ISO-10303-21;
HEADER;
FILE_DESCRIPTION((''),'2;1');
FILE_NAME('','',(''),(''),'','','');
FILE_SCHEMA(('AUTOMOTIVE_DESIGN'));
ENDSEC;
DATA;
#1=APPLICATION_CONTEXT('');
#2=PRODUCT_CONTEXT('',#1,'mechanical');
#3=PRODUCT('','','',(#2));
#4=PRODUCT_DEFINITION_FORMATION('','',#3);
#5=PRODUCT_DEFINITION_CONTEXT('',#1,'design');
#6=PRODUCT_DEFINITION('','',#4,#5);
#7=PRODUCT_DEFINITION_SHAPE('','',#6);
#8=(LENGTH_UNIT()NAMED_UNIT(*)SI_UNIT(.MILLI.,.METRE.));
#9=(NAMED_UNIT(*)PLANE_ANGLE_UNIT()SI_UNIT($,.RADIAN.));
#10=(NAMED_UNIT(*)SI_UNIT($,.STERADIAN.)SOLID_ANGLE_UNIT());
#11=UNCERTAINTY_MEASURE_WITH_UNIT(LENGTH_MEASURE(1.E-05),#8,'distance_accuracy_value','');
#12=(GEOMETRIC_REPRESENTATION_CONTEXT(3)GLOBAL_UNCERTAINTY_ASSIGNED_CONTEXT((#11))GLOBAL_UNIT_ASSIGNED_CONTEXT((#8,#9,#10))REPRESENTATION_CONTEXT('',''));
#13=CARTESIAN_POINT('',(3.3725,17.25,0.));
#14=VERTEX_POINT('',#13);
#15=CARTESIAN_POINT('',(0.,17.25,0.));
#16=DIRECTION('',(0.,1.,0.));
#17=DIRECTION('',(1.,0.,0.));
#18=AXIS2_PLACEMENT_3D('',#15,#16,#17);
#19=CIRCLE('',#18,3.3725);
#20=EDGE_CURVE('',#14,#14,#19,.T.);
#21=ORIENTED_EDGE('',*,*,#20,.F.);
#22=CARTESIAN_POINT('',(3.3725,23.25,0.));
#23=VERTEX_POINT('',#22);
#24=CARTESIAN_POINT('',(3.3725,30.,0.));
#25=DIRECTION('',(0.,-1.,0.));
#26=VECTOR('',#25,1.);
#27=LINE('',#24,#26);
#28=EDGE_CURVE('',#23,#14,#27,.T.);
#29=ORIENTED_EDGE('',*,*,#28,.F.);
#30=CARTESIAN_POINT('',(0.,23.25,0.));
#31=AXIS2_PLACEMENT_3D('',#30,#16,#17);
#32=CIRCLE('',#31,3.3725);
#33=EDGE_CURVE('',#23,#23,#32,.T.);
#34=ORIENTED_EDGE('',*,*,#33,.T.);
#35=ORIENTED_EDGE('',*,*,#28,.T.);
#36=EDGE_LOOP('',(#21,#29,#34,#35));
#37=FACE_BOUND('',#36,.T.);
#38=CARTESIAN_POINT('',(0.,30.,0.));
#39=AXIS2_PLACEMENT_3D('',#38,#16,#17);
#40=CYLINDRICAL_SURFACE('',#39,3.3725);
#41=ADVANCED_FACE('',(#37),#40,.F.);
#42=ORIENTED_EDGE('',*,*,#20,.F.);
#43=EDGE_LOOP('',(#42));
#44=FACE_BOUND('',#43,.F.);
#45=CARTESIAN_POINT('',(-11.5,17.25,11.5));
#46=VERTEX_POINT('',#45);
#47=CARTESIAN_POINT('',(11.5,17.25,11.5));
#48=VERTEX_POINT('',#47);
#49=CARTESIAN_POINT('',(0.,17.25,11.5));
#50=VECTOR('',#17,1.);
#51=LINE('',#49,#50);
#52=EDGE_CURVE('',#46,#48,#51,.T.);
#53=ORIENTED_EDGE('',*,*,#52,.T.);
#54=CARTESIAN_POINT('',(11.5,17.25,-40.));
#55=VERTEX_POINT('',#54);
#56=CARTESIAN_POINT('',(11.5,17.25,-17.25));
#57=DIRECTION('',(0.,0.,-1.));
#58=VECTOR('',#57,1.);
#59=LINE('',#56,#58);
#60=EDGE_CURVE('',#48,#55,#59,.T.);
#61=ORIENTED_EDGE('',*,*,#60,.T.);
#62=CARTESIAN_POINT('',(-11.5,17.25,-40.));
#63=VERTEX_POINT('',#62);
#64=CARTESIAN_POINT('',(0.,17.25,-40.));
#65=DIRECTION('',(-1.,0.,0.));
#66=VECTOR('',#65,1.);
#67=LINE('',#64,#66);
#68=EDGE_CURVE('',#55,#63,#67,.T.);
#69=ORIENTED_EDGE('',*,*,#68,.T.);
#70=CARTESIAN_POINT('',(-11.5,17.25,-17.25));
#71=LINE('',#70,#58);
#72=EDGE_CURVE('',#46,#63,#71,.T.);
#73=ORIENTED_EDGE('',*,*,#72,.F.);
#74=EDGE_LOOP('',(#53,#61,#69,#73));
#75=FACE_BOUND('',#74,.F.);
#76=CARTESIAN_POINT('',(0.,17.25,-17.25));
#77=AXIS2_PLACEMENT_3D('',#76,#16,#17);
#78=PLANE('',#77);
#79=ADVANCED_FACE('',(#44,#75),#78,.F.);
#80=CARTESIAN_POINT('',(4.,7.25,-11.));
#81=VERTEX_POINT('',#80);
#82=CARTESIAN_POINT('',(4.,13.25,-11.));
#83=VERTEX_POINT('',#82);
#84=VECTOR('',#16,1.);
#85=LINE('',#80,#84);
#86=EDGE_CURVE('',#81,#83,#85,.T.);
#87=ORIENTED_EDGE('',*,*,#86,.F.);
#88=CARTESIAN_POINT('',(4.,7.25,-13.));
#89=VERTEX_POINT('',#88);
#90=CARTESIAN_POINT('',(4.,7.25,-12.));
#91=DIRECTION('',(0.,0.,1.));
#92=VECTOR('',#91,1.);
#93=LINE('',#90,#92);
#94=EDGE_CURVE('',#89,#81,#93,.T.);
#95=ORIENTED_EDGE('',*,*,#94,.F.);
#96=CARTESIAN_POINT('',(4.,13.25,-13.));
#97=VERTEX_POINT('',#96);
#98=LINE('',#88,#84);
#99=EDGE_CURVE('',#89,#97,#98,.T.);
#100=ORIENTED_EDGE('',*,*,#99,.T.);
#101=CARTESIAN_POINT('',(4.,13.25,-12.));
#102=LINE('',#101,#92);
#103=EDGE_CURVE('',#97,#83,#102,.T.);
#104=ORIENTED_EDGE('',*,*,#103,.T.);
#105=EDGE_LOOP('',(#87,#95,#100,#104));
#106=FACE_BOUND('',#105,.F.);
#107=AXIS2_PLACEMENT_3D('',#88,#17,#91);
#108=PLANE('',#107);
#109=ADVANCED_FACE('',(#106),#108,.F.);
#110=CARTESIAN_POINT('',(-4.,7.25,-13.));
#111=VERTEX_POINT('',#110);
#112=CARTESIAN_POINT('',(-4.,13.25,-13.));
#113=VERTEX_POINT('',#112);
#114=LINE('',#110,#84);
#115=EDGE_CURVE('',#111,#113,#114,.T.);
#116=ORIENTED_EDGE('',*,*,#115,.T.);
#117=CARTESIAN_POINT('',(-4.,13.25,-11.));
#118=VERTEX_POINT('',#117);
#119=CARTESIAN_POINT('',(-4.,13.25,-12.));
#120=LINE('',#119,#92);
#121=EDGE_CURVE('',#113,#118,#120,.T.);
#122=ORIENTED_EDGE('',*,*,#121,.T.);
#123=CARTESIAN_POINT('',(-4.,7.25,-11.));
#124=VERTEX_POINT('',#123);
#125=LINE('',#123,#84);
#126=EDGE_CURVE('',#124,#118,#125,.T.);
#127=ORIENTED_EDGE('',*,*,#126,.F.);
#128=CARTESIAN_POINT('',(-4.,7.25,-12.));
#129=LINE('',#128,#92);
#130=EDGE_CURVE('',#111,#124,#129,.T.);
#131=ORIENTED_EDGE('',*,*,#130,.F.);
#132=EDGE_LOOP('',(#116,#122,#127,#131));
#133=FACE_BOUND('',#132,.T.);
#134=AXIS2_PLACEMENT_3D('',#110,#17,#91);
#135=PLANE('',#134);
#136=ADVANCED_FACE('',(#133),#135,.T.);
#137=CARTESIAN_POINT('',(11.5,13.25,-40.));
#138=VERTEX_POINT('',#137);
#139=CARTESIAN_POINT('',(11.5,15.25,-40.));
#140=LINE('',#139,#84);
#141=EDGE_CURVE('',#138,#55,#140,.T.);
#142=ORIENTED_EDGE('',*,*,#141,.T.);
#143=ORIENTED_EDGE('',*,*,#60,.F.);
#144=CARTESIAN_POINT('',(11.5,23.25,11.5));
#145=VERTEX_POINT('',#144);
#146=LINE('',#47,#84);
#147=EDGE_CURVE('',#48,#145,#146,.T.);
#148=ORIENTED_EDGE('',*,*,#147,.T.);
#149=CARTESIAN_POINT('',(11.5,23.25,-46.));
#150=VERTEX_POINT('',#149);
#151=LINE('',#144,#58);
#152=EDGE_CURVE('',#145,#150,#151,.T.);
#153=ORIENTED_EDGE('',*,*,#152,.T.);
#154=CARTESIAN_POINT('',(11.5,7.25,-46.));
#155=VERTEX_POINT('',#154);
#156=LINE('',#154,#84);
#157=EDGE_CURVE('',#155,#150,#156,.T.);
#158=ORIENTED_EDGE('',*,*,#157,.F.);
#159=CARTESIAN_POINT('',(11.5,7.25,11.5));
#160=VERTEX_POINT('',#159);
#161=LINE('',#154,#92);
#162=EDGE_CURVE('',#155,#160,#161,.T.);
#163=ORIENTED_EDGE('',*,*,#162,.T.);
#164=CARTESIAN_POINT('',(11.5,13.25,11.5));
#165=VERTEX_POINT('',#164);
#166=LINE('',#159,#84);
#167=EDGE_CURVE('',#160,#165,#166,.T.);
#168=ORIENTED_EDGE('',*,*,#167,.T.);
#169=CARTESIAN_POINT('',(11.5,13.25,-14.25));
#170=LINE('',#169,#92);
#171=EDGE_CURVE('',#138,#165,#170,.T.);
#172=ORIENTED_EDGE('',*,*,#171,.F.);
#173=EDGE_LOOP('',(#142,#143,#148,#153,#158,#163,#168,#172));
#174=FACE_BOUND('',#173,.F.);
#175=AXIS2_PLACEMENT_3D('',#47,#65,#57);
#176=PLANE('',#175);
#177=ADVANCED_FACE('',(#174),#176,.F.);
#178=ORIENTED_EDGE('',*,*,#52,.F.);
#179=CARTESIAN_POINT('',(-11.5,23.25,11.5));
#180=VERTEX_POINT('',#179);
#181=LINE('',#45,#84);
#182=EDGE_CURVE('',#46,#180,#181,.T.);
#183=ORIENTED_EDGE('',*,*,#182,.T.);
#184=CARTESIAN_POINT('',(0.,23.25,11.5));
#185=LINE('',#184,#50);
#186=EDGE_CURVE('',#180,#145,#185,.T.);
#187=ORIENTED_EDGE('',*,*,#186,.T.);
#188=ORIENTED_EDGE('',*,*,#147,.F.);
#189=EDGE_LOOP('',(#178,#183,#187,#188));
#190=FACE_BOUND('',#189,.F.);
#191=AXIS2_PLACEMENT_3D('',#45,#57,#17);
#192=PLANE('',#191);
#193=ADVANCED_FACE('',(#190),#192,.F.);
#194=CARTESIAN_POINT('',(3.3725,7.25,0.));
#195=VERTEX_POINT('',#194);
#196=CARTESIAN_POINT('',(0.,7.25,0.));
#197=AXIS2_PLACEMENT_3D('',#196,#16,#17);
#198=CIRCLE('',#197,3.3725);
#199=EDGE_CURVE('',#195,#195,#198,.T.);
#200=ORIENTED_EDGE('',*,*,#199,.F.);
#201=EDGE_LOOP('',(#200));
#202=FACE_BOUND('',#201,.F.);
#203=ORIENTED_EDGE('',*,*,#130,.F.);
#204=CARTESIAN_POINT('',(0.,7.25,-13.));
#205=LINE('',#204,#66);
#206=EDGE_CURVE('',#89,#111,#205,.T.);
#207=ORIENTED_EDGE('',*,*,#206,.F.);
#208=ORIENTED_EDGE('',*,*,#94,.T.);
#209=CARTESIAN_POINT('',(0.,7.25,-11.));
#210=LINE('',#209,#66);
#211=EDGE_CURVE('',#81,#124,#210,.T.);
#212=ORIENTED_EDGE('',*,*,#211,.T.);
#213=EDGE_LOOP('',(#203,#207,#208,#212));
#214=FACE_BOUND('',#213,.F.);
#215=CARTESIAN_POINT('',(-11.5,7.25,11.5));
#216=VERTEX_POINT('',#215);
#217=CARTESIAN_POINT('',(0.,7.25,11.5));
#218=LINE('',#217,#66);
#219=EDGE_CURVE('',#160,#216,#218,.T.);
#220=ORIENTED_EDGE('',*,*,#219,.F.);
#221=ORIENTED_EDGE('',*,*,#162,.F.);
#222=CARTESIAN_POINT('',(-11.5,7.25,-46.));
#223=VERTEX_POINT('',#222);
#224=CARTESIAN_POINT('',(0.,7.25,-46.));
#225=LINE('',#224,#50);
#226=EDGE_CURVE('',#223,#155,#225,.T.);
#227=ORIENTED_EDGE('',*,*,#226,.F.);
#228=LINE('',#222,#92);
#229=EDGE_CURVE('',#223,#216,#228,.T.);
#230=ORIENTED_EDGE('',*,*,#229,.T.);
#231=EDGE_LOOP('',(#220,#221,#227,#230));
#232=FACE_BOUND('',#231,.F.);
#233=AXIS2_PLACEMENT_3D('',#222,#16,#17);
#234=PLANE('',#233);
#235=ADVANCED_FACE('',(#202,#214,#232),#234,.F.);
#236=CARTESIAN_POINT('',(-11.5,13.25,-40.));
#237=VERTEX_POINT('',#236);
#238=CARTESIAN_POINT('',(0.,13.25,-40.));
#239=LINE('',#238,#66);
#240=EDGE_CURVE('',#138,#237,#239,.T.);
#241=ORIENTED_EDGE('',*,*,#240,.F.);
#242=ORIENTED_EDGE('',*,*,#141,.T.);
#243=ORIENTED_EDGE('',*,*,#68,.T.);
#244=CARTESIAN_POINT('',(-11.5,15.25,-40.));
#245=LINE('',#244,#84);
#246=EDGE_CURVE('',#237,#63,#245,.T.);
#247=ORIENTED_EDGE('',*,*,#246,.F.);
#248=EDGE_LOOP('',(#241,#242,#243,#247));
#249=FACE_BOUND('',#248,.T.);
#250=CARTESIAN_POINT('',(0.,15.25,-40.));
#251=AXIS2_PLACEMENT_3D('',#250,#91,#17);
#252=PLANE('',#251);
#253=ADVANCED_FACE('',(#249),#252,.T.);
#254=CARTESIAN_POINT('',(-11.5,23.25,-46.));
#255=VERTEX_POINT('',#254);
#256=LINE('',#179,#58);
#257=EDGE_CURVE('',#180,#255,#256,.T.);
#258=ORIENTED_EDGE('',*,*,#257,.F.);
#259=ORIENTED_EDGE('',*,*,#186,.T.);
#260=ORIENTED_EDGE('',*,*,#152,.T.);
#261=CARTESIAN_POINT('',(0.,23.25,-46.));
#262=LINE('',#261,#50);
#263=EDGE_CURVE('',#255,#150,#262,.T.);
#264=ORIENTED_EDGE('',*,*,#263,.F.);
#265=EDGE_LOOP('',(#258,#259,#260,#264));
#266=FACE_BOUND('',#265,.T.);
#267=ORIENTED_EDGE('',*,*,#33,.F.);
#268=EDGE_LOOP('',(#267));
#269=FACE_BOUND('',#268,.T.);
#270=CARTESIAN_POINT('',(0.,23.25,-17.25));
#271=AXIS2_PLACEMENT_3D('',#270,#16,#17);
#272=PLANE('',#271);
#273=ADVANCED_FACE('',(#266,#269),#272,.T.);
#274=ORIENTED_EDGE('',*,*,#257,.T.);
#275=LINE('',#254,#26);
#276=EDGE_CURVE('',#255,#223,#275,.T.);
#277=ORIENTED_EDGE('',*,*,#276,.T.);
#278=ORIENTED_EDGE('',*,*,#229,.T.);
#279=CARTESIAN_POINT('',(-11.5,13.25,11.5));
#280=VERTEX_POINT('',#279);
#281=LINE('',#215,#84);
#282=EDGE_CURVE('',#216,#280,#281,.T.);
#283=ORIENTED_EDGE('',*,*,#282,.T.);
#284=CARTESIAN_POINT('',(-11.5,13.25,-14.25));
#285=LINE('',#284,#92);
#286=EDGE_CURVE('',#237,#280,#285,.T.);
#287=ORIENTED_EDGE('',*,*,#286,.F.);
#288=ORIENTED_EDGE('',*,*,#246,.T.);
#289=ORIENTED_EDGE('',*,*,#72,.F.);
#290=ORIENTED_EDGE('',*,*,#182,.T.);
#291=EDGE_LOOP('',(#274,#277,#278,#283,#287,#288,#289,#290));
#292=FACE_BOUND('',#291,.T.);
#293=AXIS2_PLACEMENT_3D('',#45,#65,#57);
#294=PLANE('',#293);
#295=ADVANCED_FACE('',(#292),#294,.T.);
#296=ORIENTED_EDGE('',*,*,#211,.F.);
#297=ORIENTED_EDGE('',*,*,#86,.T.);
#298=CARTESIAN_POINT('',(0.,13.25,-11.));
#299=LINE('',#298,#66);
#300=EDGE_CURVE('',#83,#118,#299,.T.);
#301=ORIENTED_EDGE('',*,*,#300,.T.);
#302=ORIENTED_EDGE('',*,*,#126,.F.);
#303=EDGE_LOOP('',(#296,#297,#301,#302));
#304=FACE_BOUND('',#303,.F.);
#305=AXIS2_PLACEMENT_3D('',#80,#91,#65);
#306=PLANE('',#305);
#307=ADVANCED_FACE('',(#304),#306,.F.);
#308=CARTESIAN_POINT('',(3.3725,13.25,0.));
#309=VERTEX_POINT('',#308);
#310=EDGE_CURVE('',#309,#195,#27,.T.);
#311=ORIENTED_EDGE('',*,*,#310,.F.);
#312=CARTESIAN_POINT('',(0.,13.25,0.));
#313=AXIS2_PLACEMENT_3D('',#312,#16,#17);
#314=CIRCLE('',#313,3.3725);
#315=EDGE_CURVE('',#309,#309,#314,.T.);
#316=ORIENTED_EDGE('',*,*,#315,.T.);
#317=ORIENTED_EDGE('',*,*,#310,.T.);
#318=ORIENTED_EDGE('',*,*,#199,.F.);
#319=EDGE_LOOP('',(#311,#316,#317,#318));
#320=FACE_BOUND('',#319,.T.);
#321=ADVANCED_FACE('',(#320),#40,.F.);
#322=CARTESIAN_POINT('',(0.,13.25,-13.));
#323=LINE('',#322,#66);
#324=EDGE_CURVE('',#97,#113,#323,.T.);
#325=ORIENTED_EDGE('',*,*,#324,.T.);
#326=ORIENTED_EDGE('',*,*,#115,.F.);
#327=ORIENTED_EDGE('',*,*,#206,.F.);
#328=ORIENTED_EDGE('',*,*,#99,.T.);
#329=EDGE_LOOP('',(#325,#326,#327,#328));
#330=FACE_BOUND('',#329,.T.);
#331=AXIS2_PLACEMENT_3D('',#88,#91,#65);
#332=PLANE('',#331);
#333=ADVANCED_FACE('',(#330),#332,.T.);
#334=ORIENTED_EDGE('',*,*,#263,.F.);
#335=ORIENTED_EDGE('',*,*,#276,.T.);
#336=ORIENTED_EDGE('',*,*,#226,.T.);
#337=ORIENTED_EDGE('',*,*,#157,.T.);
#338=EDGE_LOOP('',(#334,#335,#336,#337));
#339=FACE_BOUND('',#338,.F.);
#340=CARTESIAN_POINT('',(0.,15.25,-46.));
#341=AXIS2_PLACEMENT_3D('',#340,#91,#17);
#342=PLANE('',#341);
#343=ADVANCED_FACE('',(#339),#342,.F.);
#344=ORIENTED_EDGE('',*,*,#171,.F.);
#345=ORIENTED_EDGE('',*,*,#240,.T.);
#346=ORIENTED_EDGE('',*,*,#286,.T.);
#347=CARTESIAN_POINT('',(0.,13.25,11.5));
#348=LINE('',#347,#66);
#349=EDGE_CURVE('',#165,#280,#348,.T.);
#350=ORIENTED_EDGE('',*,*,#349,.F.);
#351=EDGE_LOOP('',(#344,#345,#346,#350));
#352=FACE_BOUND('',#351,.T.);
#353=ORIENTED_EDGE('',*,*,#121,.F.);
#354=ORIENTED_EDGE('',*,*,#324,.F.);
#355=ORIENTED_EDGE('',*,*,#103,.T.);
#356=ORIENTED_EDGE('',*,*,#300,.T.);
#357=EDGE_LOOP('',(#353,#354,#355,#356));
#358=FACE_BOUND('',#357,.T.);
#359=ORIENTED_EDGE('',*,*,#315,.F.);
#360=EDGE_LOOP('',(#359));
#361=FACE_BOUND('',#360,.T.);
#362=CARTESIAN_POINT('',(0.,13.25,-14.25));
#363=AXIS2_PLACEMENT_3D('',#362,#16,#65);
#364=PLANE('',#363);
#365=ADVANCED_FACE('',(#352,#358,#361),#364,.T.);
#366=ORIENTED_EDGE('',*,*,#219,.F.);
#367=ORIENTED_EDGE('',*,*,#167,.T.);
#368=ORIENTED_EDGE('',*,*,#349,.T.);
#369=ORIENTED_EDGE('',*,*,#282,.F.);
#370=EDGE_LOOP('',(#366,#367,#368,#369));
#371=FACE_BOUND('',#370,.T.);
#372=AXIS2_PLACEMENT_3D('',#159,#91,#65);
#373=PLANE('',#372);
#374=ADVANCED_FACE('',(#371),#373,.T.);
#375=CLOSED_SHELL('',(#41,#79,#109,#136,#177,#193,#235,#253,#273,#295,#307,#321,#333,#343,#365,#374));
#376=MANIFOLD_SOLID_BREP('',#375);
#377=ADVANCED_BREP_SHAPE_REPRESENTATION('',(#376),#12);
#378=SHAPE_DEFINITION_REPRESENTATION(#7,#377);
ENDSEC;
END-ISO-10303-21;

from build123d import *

# Parameters (mm, degrees)
CYLINDER001_R     = 3.3725
CYLINDER001_DEPTH = 30
BOX008_W          = 23
BOX008_H          = 16
BOX008_DEPTH      = 6
BOX009_W          = 23
BOX009_H          = 57.5
BOX009_DEPTH      = 6
SKETCH_W          = 23
SKETCH_H          = 51.5
SKETCH_W_2        = 8
SKETCH_H_2        = 2
EXTRUDE_DEPTH     = 6


with BuildPart() as cylinder001:
    # Cylinder001 → Cylinder001 (new body)
    with BuildSketch(Plane.XZ.offset(-30)):
        Circle(CYLINDER001_R)
    extrude(amount=CYLINDER001_DEPTH)


with BuildPart() as cube008:
    # Box008 → Box008 (new body)
    with BuildSketch(Plane(origin=(-11.5, 7.25, -46), x_dir=(1, 0, 0), z_dir=(0, 0, 1))):
        with Locations((11.5, 8)):
            Rectangle(BOX008_W, BOX008_H)
    extrude(amount=BOX008_DEPTH)


with BuildPart() as cube009:
    # Box009 → Box009 (new body)
    with BuildSketch(Plane(origin=(-11.5, 17.25, 11.5), x_dir=(1, 0, 0), z_dir=(0, 1, 0))):
        with Locations((11.5, 28.75)):
            Rectangle(BOX009_W, BOX009_H)
    extrude(amount=BOX009_DEPTH)


with BuildPart() as mountplate:
    # Sketch → Extrude (new body)
    with BuildSketch(Plane(origin=(0, 0, 0), x_dir=(-1, 0, 0), z_dir=(0, 1, 0))):
        with Locations((0, -14.25)):
            Rectangle(SKETCH_W, SKETCH_H)
        with Locations((0, -12)):
            Rectangle(SKETCH_W_2, SKETCH_H_2, mode=Mode.SUBTRACT)
    extrude(amount=EXTRUDE_DEPTH)


with BuildPart() as mountplate_1:
    # Extrude placement: moved
    add(mountplate.part.moved(Location((0, 7.25, 0))))

    # Fusion003: union Cube008, Cube009
    add(cube008.part)
    add(cube009.part)

    # Cut002: cut Cylinder001
    add(cylinder001.part, mode=Mode.SUBTRACT)


solid = mountplate_1.part
